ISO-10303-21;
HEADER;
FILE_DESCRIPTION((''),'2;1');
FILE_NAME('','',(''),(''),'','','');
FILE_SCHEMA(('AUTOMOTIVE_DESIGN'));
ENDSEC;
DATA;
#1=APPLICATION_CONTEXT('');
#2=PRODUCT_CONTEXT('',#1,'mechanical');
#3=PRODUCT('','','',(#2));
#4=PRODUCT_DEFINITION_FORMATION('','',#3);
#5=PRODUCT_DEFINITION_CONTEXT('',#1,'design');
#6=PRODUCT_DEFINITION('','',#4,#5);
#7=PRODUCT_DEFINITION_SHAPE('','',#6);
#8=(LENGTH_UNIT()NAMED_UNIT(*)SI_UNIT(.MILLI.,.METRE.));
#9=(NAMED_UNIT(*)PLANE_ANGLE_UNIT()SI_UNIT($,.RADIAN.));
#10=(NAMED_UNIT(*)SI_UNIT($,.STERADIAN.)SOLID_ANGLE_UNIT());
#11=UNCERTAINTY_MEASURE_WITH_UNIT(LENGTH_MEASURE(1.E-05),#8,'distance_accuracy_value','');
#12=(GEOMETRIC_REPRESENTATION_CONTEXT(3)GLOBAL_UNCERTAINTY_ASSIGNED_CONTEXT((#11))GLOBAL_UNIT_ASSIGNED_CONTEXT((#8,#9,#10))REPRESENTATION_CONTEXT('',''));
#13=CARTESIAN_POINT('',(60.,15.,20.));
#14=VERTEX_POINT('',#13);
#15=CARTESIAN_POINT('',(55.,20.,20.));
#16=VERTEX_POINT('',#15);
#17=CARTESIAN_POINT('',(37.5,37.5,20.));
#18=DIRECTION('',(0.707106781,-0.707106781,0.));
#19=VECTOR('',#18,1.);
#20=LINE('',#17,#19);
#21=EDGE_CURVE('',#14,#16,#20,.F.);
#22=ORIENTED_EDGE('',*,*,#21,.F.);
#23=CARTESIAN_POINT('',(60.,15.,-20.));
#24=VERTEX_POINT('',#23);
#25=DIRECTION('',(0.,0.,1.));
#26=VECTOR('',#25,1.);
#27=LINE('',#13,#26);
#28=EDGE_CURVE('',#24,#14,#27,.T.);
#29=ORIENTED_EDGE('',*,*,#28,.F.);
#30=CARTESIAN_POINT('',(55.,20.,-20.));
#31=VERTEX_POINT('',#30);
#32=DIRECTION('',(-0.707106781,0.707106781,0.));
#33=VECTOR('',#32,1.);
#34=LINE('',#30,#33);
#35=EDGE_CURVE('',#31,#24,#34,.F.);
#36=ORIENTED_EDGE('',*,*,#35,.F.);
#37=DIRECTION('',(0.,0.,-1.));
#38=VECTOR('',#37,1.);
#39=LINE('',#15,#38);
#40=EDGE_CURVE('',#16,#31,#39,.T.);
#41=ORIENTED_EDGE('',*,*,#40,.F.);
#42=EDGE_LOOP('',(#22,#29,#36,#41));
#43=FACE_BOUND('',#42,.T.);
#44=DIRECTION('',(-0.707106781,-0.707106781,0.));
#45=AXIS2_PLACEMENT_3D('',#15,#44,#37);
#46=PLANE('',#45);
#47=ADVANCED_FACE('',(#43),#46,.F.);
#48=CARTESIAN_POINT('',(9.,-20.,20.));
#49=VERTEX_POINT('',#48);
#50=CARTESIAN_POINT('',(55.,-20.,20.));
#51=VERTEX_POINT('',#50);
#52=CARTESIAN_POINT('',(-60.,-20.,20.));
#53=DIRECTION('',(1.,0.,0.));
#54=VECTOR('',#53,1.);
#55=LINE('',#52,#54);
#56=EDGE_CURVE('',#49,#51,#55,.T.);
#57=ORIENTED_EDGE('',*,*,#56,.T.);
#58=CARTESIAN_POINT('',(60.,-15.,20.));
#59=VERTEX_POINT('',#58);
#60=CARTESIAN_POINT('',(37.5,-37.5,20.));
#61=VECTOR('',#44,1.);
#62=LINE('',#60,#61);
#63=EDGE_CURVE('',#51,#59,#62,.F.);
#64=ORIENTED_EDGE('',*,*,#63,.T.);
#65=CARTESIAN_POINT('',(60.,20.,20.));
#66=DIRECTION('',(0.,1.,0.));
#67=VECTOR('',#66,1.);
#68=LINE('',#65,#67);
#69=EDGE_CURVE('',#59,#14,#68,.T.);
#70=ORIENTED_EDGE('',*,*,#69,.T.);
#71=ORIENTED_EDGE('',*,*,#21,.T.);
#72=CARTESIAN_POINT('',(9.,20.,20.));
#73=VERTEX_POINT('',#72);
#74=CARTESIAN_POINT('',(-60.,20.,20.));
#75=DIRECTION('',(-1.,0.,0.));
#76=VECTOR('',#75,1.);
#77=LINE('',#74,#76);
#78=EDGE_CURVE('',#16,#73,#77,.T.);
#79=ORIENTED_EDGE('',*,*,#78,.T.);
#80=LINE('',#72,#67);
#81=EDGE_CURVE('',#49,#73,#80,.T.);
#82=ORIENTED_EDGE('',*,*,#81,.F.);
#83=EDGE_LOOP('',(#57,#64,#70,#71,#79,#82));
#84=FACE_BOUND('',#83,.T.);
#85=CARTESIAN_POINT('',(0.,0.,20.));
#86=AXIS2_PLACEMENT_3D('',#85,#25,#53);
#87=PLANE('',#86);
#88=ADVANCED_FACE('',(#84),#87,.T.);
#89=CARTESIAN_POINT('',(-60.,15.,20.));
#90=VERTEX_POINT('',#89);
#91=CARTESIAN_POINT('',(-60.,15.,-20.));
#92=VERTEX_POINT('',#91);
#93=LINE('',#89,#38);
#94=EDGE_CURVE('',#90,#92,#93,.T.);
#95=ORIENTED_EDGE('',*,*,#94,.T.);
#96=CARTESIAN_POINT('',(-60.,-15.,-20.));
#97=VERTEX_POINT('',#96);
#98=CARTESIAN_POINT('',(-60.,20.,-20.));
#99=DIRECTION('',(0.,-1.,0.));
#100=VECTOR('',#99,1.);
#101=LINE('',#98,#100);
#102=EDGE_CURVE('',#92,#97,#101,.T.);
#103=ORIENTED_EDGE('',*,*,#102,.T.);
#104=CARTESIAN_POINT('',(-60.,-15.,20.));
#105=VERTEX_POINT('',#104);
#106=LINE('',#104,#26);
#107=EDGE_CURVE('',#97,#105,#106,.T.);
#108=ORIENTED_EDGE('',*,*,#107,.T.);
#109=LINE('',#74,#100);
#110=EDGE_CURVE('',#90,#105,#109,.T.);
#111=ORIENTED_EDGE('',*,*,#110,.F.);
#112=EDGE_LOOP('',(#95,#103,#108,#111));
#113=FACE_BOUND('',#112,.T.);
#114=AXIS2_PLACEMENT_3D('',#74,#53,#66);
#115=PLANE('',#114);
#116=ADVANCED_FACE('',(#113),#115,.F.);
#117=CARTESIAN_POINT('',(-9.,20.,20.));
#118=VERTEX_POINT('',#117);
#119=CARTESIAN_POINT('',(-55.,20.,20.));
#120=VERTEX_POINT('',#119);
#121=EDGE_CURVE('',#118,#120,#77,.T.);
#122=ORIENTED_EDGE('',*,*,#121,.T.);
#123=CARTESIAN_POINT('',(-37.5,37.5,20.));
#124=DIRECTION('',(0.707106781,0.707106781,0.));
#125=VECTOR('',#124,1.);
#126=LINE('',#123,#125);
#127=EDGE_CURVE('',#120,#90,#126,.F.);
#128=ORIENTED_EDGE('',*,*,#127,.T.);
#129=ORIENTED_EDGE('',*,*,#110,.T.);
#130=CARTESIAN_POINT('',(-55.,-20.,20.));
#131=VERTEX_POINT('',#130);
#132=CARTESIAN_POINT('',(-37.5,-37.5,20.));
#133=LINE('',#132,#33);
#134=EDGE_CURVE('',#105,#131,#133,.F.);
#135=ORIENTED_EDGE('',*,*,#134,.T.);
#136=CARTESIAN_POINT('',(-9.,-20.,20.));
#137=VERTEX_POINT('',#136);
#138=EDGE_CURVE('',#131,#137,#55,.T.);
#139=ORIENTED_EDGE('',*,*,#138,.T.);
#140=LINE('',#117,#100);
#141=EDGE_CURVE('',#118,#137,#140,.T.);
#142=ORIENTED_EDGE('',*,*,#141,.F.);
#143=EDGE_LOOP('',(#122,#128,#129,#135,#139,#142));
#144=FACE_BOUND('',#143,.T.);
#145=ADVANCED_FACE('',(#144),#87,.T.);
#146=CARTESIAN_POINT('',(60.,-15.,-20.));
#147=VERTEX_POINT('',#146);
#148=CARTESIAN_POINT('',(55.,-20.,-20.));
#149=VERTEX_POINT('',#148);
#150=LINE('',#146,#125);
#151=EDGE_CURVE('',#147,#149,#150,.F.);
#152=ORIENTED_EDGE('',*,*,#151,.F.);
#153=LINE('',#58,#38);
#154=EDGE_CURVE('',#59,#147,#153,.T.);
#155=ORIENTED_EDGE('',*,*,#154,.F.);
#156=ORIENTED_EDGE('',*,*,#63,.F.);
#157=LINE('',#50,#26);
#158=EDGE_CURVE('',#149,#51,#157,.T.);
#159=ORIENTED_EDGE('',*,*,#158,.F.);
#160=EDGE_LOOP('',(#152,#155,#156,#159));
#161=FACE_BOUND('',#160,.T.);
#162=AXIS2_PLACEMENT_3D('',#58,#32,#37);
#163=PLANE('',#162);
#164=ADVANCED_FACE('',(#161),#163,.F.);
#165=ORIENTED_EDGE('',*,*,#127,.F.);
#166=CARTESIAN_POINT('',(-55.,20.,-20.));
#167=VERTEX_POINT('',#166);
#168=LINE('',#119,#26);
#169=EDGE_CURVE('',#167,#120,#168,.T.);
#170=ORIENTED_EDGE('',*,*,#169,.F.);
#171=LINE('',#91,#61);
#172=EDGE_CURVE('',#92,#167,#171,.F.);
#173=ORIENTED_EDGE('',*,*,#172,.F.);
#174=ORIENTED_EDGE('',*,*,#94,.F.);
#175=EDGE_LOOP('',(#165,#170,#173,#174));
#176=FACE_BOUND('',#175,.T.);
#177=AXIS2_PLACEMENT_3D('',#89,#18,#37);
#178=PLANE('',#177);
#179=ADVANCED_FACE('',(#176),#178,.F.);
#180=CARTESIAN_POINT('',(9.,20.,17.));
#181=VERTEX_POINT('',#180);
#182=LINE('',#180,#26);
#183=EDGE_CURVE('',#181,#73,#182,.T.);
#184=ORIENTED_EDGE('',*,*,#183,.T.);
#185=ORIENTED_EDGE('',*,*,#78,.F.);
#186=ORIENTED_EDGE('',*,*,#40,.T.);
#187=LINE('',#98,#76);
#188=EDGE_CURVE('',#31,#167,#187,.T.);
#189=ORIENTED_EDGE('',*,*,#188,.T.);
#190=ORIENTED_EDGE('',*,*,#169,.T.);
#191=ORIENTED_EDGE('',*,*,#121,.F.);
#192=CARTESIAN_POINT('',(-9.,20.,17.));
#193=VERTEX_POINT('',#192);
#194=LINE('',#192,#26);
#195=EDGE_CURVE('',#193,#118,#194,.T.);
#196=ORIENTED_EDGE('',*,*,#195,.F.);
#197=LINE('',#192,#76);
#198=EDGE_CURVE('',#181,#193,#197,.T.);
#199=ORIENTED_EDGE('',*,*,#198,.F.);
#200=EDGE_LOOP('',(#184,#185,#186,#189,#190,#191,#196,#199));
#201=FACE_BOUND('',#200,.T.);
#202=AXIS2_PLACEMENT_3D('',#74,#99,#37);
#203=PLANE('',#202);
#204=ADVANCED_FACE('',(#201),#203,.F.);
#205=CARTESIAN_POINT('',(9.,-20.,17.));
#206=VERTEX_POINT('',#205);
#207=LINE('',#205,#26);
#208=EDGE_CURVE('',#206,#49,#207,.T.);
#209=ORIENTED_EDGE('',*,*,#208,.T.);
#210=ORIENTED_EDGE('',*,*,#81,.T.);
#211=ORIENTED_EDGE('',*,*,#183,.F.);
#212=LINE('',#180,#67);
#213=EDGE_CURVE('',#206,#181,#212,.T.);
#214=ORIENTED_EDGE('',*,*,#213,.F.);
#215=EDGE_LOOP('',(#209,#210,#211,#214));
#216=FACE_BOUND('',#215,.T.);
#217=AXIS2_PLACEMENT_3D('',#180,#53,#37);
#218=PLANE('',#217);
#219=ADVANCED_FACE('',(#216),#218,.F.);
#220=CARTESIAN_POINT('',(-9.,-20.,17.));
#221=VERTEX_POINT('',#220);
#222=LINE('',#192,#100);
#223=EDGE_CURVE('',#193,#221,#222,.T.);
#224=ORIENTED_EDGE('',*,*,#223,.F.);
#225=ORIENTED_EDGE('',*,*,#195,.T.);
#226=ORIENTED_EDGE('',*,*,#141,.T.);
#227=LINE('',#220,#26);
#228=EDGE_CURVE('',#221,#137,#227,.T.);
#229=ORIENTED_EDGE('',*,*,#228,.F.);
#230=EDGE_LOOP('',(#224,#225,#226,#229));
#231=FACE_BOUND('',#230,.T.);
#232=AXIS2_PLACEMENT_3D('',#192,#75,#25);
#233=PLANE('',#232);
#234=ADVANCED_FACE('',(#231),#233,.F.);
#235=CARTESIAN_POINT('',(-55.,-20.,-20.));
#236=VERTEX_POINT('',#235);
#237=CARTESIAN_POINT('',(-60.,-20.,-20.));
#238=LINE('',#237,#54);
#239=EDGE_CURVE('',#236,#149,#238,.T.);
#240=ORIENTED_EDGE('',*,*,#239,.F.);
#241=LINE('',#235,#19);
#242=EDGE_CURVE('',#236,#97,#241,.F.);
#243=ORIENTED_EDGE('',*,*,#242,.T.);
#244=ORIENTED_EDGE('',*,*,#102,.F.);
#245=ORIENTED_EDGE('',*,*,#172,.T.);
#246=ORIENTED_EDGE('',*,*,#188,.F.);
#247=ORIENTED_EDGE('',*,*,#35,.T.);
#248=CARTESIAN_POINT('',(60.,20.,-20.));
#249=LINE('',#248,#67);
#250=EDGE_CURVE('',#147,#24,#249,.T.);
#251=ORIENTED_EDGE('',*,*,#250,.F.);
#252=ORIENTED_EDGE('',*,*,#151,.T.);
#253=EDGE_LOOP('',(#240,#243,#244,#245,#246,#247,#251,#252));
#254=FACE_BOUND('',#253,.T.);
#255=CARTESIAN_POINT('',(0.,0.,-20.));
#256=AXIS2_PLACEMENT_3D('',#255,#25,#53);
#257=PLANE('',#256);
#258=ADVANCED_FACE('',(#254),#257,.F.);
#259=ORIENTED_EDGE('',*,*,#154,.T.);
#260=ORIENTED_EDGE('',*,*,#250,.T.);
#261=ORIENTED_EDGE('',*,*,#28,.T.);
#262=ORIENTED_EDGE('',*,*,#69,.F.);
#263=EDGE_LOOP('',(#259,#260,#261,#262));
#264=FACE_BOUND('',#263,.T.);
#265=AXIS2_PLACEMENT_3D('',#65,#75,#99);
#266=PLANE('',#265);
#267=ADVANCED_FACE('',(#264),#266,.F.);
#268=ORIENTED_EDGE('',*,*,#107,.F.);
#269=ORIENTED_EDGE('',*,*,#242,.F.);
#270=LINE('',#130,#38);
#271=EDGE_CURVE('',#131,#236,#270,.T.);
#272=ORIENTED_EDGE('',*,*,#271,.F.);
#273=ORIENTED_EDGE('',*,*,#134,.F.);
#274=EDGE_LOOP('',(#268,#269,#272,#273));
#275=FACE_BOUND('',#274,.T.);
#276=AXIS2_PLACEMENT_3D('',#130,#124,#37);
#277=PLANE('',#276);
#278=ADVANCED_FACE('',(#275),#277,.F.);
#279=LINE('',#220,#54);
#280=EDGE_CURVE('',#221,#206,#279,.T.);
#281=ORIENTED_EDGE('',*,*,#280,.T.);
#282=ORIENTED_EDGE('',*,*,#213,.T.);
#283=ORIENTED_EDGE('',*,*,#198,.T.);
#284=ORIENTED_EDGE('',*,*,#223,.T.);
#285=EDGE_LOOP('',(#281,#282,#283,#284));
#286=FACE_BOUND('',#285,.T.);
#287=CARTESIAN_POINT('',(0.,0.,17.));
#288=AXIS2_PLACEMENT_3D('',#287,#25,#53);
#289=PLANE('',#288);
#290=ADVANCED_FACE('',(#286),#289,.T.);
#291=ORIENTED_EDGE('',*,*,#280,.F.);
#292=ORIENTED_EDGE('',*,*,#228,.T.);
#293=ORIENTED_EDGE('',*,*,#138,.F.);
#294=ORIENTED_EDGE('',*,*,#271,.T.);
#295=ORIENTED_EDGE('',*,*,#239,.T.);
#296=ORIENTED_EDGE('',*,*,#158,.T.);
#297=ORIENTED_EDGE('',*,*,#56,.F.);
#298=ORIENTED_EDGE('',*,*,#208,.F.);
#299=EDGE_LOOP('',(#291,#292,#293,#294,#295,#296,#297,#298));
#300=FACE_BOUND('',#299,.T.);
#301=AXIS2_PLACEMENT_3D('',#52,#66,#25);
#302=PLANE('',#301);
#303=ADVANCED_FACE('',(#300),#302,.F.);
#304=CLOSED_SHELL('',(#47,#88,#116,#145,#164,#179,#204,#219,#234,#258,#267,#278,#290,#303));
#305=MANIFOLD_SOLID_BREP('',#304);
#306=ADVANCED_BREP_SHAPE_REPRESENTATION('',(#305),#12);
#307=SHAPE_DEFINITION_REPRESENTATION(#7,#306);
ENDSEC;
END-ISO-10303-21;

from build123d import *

# Parameters (mm, degrees)
SKETCH_1_W          = 120
SKETCH_1_H          = 40
EXTRUDE_1_DEPTH     = 20
SKETCH_2_W          = 18
SKETCH_2_H          = 40
CUT_EXTRUDE_1_DEPTH = 3
CHAMFER_1_SIZE      = 5


with BuildPart() as part:
    # 草图1 → 凸台-拉伸1 (new, symmetric)
    with BuildSketch(Plane.XY):
        Rectangle(SKETCH_1_W, SKETCH_1_H)
    extrude(amount=EXTRUDE_1_DEPTH, both=True)

    # 草图2 → 切除-拉伸1 (cut)
    with BuildSketch(Plane.XY.offset(20)):
        Rectangle(SKETCH_2_W, SKETCH_2_H)
    extrude(amount=-CUT_EXTRUDE_1_DEPTH, mode=Mode.SUBTRACT)

    # 倒角1
    chamfer_1_edges = [part.edges().sort_by_distance(p)[0] for p in [
        (60, -20, 0),
        (-60, -20, 0),
        (-60, 20, 0),
        (60, 20, 0),
    ]]
    chamfer(chamfer_1_edges, length=CHAMFER_1_SIZE)


solid = part.part
